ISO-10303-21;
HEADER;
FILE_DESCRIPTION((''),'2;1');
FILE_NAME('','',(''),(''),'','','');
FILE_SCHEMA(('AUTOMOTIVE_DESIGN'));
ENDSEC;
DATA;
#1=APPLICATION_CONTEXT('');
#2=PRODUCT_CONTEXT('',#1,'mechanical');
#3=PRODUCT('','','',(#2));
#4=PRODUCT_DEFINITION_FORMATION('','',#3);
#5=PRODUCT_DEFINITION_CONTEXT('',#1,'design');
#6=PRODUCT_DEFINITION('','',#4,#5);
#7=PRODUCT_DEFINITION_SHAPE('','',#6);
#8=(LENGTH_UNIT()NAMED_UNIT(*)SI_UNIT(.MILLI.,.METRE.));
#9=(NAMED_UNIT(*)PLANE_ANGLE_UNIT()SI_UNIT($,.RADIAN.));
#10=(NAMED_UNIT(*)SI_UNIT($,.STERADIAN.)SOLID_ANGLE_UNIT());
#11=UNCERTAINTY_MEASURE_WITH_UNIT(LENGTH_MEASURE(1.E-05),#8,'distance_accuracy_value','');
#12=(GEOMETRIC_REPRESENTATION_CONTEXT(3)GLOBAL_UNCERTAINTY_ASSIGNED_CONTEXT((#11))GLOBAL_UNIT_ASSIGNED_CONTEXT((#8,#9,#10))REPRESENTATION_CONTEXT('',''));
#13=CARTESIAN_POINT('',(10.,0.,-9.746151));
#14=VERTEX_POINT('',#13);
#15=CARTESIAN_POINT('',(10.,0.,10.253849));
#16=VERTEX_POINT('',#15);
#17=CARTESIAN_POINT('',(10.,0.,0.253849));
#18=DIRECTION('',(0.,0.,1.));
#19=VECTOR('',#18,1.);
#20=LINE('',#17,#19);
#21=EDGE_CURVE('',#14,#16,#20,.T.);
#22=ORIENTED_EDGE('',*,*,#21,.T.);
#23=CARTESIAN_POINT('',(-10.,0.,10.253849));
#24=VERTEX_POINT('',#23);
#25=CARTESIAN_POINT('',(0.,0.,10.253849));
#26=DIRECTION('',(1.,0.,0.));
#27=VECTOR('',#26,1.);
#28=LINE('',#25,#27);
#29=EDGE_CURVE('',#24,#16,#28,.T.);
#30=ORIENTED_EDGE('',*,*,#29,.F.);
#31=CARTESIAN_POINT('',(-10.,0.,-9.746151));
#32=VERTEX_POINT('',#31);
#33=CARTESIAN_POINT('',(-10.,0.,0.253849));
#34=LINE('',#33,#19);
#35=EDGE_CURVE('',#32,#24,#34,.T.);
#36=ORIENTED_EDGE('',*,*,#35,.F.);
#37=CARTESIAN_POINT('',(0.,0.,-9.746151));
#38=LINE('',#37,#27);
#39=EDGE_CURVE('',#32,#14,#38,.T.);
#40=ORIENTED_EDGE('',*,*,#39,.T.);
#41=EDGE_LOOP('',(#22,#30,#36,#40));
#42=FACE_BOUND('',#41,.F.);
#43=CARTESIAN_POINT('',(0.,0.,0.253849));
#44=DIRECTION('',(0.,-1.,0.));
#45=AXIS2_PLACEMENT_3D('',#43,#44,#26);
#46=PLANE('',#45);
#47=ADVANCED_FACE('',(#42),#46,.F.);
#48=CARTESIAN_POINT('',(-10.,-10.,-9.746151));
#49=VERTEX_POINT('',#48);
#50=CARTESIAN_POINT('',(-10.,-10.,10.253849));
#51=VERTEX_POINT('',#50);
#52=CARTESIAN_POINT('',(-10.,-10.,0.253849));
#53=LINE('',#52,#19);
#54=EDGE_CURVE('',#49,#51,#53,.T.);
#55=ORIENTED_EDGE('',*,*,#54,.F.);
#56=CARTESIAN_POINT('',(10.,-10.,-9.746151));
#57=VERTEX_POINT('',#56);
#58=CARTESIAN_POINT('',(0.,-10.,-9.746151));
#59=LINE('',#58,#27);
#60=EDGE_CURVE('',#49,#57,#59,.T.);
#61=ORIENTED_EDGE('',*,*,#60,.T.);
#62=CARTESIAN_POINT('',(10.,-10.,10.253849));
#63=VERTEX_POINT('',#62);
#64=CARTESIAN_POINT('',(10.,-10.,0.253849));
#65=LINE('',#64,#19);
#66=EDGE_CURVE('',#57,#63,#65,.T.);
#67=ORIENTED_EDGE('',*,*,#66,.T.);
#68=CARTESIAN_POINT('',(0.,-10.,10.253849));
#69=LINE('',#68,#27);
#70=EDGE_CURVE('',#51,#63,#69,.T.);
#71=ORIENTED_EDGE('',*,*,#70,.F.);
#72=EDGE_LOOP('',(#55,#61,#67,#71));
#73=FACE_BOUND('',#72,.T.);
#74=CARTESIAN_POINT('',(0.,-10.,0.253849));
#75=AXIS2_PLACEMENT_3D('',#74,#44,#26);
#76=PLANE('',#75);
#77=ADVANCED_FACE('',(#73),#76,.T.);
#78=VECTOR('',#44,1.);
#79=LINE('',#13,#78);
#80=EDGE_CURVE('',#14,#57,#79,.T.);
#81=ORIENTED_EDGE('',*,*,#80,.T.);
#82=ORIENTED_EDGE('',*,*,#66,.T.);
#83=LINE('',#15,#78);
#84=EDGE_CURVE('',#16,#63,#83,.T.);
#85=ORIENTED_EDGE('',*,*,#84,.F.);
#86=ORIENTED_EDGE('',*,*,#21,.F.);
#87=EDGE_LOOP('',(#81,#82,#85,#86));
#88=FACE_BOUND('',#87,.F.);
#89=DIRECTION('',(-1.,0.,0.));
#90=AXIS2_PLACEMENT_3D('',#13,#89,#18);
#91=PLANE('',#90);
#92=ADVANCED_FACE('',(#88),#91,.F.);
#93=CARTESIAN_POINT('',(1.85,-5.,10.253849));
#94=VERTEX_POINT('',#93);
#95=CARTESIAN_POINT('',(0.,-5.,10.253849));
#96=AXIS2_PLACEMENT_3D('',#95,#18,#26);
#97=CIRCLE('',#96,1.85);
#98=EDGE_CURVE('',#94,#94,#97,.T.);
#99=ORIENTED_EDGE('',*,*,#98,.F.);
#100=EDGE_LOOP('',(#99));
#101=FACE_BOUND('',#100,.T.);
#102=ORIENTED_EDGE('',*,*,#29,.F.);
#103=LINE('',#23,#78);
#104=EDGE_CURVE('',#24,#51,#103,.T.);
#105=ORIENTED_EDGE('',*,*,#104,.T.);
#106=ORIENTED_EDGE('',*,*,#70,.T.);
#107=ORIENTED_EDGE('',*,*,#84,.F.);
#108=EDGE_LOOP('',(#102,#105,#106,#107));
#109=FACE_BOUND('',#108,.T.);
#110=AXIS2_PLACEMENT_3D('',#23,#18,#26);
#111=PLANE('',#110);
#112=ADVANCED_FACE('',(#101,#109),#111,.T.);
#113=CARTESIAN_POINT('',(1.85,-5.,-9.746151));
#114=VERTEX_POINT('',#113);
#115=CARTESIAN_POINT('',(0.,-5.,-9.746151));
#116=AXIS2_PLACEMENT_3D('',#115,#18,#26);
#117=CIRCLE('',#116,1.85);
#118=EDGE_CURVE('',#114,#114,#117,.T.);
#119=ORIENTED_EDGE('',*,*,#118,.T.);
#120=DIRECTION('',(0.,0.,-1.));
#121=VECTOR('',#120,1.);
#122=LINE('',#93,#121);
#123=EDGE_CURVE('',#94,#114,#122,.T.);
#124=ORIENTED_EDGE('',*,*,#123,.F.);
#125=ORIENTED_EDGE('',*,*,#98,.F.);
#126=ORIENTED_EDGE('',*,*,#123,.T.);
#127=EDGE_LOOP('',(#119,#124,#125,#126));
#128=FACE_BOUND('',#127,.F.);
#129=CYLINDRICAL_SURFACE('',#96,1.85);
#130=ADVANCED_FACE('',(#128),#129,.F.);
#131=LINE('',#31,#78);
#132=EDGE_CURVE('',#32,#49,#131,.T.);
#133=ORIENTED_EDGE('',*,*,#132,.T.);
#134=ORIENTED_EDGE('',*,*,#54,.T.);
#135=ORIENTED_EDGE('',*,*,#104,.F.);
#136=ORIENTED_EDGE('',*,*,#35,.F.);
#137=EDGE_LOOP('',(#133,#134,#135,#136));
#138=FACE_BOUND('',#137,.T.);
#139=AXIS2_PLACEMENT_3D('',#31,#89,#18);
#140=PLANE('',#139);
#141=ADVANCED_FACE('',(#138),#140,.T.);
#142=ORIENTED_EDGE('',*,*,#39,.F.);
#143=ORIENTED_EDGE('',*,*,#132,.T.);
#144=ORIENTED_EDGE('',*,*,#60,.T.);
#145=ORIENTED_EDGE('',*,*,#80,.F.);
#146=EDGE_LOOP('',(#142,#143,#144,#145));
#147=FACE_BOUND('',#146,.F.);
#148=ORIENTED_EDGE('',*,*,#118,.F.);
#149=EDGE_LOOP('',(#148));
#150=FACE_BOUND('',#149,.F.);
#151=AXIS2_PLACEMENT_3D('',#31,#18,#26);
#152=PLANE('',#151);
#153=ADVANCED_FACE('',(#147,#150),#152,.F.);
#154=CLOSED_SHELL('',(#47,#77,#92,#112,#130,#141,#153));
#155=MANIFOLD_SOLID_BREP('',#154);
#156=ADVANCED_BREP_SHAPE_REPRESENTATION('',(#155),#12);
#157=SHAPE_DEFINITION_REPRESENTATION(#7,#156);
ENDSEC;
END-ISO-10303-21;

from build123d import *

# Parameters (mm, degrees)
F0_W     = 20
F0_H     = 20
F1_DEPTH = 10
F2_R     = 1.85
F3_DEPTH = 25


with BuildPart() as f1:
    # F0 (on Front) → F1 (new body)
    with BuildSketch(Plane.XZ):
        with Locations((0, 0.253849)):
            Rectangle(F0_W, F0_H)
    extrude(amount=F1_DEPTH)

    # F2 (on face) → F3 (cut)
    with BuildSketch(Plane.XY.offset(10.253849)):
        with Locations((0, -5)):
            Circle(F2_R)
    extrude(amount=-F3_DEPTH, mode=Mode.SUBTRACT)


solid = f1.part
